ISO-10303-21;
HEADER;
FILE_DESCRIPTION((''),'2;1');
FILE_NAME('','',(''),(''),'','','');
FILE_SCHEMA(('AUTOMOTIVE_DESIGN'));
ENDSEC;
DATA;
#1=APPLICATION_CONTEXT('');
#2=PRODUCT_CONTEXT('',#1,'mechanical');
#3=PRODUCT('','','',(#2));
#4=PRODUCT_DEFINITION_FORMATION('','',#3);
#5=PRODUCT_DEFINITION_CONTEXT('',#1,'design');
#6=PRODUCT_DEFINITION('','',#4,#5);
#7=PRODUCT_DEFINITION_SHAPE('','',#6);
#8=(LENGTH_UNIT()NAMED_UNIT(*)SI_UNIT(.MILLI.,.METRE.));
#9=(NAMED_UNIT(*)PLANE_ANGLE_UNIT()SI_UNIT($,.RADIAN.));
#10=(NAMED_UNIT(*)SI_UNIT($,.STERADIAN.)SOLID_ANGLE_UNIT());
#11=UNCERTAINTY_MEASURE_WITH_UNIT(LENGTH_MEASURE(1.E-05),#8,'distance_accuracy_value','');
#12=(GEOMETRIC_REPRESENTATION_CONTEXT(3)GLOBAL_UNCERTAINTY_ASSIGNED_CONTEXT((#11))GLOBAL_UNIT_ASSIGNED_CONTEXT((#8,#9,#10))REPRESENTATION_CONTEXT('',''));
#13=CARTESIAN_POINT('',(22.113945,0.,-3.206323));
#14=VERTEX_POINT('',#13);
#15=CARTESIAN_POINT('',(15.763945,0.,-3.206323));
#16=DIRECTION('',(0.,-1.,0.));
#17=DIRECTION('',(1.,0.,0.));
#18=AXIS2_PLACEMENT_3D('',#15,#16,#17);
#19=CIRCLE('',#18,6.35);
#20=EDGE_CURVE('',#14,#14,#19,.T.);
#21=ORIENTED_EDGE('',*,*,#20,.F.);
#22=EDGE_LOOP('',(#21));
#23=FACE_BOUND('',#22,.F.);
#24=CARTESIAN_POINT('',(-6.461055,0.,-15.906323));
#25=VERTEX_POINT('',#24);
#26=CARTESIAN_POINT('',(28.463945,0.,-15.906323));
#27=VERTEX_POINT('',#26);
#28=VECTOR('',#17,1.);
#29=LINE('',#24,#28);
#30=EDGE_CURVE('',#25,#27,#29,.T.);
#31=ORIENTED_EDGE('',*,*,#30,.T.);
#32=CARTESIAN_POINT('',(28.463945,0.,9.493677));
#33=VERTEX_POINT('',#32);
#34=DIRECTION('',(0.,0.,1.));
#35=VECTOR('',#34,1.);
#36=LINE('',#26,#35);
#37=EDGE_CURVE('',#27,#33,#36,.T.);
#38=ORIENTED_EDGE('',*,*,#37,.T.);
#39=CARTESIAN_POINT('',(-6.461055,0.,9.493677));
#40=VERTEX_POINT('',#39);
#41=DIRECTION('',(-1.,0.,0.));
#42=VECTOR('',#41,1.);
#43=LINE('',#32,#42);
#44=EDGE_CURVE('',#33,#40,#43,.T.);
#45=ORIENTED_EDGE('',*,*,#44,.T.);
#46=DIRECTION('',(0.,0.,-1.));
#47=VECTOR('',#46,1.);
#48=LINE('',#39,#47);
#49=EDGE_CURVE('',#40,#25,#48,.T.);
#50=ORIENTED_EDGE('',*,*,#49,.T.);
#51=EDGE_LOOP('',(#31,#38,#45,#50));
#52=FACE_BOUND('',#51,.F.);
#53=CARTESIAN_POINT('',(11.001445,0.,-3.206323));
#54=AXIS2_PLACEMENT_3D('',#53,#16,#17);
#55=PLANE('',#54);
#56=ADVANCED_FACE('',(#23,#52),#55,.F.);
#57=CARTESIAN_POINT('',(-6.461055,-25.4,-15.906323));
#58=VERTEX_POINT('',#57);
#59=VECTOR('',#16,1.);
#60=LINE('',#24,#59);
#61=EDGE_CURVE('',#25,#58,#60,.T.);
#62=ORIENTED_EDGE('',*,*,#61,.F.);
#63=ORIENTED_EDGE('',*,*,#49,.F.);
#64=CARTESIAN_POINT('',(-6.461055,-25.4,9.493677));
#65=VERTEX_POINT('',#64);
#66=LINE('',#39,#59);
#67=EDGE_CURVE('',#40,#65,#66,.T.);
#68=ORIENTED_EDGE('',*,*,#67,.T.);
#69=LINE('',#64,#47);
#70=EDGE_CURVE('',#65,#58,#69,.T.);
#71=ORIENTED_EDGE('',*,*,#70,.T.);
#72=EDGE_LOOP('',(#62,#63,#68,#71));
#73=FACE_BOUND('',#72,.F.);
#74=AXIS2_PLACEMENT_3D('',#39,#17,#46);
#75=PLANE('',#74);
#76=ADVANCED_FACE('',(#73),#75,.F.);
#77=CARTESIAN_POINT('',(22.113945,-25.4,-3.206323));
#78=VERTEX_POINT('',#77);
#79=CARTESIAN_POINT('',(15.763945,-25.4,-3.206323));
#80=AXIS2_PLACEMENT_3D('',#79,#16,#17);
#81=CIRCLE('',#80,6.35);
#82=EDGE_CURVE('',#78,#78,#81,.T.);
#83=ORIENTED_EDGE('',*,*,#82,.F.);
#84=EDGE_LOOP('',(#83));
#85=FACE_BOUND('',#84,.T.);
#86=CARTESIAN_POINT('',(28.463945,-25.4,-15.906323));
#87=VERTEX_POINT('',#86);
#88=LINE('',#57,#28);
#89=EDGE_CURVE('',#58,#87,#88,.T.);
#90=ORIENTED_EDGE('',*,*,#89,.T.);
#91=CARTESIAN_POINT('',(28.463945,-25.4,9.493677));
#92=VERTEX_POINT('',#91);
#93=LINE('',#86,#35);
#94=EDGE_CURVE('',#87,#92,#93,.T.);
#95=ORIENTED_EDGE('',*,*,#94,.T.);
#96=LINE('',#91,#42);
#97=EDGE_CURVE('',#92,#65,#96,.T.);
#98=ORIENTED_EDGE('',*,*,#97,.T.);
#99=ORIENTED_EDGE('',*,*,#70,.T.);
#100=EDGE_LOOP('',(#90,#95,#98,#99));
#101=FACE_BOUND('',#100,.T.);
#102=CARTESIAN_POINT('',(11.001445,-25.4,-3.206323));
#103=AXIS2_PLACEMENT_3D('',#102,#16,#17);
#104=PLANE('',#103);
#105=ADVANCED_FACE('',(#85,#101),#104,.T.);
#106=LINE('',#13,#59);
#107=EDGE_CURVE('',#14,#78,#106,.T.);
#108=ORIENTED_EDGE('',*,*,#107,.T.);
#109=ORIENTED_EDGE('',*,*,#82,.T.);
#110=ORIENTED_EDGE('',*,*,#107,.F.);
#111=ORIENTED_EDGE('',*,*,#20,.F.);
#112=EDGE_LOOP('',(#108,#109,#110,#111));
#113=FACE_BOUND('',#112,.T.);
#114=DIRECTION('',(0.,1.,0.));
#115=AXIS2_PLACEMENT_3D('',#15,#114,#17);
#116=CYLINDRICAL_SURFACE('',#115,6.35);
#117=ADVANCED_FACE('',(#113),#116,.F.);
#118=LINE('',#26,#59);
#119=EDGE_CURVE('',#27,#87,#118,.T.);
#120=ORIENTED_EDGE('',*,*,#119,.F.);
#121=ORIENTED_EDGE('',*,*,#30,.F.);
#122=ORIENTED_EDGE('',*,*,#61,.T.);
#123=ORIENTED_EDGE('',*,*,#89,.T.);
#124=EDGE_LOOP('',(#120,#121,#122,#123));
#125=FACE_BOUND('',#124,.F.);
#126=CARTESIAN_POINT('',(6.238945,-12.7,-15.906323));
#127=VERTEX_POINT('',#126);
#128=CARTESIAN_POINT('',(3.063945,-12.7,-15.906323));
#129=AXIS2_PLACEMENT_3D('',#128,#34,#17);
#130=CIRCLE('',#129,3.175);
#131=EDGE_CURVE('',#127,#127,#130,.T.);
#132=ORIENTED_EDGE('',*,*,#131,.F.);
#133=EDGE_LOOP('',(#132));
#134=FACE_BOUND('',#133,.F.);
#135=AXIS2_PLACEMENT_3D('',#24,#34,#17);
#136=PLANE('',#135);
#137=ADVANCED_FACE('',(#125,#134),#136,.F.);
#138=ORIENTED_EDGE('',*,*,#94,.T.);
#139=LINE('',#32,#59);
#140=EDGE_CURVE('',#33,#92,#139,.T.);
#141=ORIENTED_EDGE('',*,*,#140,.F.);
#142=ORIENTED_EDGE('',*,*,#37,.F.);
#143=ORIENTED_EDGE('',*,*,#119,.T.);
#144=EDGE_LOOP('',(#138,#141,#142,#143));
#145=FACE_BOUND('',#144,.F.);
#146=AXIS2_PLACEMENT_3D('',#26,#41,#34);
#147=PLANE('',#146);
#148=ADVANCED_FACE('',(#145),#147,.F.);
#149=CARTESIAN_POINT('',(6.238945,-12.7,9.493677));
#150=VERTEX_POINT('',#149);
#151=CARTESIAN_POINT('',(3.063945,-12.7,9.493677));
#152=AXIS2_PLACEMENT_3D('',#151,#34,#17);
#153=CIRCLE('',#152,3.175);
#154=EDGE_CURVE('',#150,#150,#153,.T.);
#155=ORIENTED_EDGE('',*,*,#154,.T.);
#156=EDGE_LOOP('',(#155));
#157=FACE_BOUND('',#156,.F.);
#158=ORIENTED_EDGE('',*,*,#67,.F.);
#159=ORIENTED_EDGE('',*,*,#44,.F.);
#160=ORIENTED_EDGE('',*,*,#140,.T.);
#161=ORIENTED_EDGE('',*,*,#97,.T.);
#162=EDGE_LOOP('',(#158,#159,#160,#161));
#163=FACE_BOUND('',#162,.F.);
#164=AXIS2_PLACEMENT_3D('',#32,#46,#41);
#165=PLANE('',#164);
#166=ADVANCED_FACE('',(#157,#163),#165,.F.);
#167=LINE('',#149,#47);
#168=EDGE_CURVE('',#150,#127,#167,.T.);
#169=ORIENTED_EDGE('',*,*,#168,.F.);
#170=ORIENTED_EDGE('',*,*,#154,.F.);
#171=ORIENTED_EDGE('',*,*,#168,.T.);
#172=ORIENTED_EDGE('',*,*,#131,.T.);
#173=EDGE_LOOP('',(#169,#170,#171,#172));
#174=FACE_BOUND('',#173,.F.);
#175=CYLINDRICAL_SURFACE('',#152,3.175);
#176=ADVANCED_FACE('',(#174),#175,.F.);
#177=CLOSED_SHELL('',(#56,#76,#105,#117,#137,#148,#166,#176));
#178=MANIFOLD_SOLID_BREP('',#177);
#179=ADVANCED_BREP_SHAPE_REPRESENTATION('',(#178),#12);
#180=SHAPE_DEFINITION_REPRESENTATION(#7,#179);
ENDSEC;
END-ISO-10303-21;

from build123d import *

# Parameters (mm, degrees)
F0_R     = 6.35
F1_DEPTH = 25.4
F2_R     = 3.175
F3_DEPTH = 50.8


with BuildPart() as f1:
    # F0 (on Front) → F1 (new body)
    with BuildSketch(Plane.XZ):
        Polygon((28.463945, 9.493677), (-6.461055, 9.493677), (-6.461055, -15.906323), (28.463945, -15.906323), (28.463945, -3.206323), align=None)
        with Locations((15.763945, -3.206323)):
            Circle(F0_R, mode=Mode.SUBTRACT)
    extrude(amount=F1_DEPTH)

    # F2 (on face) → F3 (cut)
    with BuildSketch(Plane.XY.offset(9.493677)):
        with Locations((3.063945, -12.7)):
            Circle(F2_R)
    extrude(amount=-F3_DEPTH, mode=Mode.SUBTRACT)


solid = f1.part
